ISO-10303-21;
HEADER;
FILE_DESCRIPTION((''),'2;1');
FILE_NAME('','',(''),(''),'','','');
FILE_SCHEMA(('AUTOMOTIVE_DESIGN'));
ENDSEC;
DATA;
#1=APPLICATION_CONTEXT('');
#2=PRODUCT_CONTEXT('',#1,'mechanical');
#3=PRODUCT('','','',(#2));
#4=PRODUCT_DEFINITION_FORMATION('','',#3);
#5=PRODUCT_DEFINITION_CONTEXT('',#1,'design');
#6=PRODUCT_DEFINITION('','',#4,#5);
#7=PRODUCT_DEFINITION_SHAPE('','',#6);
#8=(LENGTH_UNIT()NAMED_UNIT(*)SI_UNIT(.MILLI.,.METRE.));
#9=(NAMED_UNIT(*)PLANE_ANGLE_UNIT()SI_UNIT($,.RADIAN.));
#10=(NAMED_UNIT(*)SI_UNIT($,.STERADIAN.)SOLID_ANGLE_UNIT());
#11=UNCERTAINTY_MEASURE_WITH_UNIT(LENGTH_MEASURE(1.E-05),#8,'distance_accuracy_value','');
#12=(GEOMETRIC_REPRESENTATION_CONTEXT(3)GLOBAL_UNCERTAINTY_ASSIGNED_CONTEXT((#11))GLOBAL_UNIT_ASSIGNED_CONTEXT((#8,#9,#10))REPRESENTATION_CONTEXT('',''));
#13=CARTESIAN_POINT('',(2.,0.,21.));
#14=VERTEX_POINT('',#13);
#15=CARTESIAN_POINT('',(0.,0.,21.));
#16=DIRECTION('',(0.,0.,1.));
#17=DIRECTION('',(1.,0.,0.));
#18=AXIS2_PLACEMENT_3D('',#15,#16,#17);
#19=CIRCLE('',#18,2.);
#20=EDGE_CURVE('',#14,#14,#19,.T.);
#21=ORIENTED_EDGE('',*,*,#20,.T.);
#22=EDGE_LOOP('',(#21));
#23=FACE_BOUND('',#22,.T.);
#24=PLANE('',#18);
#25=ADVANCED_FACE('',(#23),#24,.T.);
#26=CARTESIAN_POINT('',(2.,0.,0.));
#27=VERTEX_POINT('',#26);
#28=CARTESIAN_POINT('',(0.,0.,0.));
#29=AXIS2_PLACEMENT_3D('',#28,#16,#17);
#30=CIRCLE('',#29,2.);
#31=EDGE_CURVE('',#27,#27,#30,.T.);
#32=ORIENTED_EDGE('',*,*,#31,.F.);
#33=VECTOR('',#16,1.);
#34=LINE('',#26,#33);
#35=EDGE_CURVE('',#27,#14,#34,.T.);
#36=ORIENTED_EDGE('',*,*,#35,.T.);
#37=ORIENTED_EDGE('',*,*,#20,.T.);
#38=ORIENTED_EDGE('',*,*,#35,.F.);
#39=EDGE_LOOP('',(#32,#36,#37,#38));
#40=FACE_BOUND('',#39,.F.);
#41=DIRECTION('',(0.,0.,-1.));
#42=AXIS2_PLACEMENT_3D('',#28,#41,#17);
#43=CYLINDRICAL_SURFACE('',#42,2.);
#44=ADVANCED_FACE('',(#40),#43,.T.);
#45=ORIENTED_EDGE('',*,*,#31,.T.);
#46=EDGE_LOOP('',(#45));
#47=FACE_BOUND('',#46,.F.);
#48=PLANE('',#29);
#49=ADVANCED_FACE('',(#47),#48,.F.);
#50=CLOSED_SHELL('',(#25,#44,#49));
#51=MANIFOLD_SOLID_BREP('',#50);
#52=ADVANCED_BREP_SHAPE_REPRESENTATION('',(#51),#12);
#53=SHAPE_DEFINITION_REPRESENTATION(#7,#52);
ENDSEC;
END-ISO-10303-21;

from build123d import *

# Parameters (mm, degrees)
SKETCH1_R           = 2
BOSS_EXTRUDE1_DEPTH = 21


with BuildPart() as part:
    # Sketch1 → Boss-Extrude1 (new body)
    with BuildSketch(Plane.XY):
        Circle(SKETCH1_R)
    extrude(amount=BOSS_EXTRUDE1_DEPTH)


solid = part.part
